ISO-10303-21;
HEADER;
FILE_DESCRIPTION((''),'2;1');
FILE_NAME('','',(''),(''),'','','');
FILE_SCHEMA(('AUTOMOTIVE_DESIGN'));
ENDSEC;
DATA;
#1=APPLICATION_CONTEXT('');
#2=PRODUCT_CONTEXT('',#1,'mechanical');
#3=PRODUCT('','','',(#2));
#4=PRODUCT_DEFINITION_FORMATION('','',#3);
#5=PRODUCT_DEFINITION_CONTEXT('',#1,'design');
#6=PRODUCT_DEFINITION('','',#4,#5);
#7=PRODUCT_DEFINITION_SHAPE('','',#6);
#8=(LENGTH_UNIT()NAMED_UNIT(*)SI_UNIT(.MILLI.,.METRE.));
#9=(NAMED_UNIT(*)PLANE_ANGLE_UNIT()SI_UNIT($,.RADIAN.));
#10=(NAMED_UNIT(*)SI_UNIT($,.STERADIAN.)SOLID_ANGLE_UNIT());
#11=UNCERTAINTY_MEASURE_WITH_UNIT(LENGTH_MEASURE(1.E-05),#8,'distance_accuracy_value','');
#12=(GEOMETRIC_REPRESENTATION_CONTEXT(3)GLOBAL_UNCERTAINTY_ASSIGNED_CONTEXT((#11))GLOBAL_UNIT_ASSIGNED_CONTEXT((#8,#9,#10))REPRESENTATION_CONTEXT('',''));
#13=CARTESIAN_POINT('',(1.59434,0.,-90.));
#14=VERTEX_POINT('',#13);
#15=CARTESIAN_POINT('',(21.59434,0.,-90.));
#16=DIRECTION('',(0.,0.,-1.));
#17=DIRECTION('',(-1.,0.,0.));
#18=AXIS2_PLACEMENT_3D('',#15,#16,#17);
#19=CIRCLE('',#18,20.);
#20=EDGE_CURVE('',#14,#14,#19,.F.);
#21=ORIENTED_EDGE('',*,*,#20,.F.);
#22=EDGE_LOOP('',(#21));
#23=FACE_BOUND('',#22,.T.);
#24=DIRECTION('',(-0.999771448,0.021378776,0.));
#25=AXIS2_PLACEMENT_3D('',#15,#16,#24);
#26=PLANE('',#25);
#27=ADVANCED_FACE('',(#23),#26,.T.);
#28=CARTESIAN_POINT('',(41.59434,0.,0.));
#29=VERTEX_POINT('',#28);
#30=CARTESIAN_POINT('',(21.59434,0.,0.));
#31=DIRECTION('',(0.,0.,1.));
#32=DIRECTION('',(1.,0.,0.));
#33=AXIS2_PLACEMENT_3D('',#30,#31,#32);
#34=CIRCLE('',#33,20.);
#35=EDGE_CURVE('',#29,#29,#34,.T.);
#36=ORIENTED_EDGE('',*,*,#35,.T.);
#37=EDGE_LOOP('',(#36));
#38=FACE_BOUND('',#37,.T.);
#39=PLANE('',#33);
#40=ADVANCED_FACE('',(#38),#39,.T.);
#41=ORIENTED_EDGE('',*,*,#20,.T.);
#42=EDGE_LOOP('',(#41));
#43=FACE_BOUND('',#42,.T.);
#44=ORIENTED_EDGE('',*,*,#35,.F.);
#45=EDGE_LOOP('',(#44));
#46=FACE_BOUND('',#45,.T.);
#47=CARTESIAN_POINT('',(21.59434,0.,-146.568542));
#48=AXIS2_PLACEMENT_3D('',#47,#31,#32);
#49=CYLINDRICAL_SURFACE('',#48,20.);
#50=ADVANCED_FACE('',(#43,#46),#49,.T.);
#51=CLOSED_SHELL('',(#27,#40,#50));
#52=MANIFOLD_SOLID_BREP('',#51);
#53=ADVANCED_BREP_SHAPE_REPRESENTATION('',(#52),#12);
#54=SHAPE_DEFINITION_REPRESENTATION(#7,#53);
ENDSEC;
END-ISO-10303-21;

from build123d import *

# Parameters (mm, degrees)
SKETCH_1_R      = 20
EXTRUDE_1_DEPTH = 90


with BuildPart() as part:
    # 草图1 → 凸台-拉伸1 (new body)
    with BuildSketch(Plane.XY):
        with Locations((21.594339623, 0)):
            Circle(SKETCH_1_R)
    extrude(amount=-EXTRUDE_1_DEPTH)


solid = part.part
